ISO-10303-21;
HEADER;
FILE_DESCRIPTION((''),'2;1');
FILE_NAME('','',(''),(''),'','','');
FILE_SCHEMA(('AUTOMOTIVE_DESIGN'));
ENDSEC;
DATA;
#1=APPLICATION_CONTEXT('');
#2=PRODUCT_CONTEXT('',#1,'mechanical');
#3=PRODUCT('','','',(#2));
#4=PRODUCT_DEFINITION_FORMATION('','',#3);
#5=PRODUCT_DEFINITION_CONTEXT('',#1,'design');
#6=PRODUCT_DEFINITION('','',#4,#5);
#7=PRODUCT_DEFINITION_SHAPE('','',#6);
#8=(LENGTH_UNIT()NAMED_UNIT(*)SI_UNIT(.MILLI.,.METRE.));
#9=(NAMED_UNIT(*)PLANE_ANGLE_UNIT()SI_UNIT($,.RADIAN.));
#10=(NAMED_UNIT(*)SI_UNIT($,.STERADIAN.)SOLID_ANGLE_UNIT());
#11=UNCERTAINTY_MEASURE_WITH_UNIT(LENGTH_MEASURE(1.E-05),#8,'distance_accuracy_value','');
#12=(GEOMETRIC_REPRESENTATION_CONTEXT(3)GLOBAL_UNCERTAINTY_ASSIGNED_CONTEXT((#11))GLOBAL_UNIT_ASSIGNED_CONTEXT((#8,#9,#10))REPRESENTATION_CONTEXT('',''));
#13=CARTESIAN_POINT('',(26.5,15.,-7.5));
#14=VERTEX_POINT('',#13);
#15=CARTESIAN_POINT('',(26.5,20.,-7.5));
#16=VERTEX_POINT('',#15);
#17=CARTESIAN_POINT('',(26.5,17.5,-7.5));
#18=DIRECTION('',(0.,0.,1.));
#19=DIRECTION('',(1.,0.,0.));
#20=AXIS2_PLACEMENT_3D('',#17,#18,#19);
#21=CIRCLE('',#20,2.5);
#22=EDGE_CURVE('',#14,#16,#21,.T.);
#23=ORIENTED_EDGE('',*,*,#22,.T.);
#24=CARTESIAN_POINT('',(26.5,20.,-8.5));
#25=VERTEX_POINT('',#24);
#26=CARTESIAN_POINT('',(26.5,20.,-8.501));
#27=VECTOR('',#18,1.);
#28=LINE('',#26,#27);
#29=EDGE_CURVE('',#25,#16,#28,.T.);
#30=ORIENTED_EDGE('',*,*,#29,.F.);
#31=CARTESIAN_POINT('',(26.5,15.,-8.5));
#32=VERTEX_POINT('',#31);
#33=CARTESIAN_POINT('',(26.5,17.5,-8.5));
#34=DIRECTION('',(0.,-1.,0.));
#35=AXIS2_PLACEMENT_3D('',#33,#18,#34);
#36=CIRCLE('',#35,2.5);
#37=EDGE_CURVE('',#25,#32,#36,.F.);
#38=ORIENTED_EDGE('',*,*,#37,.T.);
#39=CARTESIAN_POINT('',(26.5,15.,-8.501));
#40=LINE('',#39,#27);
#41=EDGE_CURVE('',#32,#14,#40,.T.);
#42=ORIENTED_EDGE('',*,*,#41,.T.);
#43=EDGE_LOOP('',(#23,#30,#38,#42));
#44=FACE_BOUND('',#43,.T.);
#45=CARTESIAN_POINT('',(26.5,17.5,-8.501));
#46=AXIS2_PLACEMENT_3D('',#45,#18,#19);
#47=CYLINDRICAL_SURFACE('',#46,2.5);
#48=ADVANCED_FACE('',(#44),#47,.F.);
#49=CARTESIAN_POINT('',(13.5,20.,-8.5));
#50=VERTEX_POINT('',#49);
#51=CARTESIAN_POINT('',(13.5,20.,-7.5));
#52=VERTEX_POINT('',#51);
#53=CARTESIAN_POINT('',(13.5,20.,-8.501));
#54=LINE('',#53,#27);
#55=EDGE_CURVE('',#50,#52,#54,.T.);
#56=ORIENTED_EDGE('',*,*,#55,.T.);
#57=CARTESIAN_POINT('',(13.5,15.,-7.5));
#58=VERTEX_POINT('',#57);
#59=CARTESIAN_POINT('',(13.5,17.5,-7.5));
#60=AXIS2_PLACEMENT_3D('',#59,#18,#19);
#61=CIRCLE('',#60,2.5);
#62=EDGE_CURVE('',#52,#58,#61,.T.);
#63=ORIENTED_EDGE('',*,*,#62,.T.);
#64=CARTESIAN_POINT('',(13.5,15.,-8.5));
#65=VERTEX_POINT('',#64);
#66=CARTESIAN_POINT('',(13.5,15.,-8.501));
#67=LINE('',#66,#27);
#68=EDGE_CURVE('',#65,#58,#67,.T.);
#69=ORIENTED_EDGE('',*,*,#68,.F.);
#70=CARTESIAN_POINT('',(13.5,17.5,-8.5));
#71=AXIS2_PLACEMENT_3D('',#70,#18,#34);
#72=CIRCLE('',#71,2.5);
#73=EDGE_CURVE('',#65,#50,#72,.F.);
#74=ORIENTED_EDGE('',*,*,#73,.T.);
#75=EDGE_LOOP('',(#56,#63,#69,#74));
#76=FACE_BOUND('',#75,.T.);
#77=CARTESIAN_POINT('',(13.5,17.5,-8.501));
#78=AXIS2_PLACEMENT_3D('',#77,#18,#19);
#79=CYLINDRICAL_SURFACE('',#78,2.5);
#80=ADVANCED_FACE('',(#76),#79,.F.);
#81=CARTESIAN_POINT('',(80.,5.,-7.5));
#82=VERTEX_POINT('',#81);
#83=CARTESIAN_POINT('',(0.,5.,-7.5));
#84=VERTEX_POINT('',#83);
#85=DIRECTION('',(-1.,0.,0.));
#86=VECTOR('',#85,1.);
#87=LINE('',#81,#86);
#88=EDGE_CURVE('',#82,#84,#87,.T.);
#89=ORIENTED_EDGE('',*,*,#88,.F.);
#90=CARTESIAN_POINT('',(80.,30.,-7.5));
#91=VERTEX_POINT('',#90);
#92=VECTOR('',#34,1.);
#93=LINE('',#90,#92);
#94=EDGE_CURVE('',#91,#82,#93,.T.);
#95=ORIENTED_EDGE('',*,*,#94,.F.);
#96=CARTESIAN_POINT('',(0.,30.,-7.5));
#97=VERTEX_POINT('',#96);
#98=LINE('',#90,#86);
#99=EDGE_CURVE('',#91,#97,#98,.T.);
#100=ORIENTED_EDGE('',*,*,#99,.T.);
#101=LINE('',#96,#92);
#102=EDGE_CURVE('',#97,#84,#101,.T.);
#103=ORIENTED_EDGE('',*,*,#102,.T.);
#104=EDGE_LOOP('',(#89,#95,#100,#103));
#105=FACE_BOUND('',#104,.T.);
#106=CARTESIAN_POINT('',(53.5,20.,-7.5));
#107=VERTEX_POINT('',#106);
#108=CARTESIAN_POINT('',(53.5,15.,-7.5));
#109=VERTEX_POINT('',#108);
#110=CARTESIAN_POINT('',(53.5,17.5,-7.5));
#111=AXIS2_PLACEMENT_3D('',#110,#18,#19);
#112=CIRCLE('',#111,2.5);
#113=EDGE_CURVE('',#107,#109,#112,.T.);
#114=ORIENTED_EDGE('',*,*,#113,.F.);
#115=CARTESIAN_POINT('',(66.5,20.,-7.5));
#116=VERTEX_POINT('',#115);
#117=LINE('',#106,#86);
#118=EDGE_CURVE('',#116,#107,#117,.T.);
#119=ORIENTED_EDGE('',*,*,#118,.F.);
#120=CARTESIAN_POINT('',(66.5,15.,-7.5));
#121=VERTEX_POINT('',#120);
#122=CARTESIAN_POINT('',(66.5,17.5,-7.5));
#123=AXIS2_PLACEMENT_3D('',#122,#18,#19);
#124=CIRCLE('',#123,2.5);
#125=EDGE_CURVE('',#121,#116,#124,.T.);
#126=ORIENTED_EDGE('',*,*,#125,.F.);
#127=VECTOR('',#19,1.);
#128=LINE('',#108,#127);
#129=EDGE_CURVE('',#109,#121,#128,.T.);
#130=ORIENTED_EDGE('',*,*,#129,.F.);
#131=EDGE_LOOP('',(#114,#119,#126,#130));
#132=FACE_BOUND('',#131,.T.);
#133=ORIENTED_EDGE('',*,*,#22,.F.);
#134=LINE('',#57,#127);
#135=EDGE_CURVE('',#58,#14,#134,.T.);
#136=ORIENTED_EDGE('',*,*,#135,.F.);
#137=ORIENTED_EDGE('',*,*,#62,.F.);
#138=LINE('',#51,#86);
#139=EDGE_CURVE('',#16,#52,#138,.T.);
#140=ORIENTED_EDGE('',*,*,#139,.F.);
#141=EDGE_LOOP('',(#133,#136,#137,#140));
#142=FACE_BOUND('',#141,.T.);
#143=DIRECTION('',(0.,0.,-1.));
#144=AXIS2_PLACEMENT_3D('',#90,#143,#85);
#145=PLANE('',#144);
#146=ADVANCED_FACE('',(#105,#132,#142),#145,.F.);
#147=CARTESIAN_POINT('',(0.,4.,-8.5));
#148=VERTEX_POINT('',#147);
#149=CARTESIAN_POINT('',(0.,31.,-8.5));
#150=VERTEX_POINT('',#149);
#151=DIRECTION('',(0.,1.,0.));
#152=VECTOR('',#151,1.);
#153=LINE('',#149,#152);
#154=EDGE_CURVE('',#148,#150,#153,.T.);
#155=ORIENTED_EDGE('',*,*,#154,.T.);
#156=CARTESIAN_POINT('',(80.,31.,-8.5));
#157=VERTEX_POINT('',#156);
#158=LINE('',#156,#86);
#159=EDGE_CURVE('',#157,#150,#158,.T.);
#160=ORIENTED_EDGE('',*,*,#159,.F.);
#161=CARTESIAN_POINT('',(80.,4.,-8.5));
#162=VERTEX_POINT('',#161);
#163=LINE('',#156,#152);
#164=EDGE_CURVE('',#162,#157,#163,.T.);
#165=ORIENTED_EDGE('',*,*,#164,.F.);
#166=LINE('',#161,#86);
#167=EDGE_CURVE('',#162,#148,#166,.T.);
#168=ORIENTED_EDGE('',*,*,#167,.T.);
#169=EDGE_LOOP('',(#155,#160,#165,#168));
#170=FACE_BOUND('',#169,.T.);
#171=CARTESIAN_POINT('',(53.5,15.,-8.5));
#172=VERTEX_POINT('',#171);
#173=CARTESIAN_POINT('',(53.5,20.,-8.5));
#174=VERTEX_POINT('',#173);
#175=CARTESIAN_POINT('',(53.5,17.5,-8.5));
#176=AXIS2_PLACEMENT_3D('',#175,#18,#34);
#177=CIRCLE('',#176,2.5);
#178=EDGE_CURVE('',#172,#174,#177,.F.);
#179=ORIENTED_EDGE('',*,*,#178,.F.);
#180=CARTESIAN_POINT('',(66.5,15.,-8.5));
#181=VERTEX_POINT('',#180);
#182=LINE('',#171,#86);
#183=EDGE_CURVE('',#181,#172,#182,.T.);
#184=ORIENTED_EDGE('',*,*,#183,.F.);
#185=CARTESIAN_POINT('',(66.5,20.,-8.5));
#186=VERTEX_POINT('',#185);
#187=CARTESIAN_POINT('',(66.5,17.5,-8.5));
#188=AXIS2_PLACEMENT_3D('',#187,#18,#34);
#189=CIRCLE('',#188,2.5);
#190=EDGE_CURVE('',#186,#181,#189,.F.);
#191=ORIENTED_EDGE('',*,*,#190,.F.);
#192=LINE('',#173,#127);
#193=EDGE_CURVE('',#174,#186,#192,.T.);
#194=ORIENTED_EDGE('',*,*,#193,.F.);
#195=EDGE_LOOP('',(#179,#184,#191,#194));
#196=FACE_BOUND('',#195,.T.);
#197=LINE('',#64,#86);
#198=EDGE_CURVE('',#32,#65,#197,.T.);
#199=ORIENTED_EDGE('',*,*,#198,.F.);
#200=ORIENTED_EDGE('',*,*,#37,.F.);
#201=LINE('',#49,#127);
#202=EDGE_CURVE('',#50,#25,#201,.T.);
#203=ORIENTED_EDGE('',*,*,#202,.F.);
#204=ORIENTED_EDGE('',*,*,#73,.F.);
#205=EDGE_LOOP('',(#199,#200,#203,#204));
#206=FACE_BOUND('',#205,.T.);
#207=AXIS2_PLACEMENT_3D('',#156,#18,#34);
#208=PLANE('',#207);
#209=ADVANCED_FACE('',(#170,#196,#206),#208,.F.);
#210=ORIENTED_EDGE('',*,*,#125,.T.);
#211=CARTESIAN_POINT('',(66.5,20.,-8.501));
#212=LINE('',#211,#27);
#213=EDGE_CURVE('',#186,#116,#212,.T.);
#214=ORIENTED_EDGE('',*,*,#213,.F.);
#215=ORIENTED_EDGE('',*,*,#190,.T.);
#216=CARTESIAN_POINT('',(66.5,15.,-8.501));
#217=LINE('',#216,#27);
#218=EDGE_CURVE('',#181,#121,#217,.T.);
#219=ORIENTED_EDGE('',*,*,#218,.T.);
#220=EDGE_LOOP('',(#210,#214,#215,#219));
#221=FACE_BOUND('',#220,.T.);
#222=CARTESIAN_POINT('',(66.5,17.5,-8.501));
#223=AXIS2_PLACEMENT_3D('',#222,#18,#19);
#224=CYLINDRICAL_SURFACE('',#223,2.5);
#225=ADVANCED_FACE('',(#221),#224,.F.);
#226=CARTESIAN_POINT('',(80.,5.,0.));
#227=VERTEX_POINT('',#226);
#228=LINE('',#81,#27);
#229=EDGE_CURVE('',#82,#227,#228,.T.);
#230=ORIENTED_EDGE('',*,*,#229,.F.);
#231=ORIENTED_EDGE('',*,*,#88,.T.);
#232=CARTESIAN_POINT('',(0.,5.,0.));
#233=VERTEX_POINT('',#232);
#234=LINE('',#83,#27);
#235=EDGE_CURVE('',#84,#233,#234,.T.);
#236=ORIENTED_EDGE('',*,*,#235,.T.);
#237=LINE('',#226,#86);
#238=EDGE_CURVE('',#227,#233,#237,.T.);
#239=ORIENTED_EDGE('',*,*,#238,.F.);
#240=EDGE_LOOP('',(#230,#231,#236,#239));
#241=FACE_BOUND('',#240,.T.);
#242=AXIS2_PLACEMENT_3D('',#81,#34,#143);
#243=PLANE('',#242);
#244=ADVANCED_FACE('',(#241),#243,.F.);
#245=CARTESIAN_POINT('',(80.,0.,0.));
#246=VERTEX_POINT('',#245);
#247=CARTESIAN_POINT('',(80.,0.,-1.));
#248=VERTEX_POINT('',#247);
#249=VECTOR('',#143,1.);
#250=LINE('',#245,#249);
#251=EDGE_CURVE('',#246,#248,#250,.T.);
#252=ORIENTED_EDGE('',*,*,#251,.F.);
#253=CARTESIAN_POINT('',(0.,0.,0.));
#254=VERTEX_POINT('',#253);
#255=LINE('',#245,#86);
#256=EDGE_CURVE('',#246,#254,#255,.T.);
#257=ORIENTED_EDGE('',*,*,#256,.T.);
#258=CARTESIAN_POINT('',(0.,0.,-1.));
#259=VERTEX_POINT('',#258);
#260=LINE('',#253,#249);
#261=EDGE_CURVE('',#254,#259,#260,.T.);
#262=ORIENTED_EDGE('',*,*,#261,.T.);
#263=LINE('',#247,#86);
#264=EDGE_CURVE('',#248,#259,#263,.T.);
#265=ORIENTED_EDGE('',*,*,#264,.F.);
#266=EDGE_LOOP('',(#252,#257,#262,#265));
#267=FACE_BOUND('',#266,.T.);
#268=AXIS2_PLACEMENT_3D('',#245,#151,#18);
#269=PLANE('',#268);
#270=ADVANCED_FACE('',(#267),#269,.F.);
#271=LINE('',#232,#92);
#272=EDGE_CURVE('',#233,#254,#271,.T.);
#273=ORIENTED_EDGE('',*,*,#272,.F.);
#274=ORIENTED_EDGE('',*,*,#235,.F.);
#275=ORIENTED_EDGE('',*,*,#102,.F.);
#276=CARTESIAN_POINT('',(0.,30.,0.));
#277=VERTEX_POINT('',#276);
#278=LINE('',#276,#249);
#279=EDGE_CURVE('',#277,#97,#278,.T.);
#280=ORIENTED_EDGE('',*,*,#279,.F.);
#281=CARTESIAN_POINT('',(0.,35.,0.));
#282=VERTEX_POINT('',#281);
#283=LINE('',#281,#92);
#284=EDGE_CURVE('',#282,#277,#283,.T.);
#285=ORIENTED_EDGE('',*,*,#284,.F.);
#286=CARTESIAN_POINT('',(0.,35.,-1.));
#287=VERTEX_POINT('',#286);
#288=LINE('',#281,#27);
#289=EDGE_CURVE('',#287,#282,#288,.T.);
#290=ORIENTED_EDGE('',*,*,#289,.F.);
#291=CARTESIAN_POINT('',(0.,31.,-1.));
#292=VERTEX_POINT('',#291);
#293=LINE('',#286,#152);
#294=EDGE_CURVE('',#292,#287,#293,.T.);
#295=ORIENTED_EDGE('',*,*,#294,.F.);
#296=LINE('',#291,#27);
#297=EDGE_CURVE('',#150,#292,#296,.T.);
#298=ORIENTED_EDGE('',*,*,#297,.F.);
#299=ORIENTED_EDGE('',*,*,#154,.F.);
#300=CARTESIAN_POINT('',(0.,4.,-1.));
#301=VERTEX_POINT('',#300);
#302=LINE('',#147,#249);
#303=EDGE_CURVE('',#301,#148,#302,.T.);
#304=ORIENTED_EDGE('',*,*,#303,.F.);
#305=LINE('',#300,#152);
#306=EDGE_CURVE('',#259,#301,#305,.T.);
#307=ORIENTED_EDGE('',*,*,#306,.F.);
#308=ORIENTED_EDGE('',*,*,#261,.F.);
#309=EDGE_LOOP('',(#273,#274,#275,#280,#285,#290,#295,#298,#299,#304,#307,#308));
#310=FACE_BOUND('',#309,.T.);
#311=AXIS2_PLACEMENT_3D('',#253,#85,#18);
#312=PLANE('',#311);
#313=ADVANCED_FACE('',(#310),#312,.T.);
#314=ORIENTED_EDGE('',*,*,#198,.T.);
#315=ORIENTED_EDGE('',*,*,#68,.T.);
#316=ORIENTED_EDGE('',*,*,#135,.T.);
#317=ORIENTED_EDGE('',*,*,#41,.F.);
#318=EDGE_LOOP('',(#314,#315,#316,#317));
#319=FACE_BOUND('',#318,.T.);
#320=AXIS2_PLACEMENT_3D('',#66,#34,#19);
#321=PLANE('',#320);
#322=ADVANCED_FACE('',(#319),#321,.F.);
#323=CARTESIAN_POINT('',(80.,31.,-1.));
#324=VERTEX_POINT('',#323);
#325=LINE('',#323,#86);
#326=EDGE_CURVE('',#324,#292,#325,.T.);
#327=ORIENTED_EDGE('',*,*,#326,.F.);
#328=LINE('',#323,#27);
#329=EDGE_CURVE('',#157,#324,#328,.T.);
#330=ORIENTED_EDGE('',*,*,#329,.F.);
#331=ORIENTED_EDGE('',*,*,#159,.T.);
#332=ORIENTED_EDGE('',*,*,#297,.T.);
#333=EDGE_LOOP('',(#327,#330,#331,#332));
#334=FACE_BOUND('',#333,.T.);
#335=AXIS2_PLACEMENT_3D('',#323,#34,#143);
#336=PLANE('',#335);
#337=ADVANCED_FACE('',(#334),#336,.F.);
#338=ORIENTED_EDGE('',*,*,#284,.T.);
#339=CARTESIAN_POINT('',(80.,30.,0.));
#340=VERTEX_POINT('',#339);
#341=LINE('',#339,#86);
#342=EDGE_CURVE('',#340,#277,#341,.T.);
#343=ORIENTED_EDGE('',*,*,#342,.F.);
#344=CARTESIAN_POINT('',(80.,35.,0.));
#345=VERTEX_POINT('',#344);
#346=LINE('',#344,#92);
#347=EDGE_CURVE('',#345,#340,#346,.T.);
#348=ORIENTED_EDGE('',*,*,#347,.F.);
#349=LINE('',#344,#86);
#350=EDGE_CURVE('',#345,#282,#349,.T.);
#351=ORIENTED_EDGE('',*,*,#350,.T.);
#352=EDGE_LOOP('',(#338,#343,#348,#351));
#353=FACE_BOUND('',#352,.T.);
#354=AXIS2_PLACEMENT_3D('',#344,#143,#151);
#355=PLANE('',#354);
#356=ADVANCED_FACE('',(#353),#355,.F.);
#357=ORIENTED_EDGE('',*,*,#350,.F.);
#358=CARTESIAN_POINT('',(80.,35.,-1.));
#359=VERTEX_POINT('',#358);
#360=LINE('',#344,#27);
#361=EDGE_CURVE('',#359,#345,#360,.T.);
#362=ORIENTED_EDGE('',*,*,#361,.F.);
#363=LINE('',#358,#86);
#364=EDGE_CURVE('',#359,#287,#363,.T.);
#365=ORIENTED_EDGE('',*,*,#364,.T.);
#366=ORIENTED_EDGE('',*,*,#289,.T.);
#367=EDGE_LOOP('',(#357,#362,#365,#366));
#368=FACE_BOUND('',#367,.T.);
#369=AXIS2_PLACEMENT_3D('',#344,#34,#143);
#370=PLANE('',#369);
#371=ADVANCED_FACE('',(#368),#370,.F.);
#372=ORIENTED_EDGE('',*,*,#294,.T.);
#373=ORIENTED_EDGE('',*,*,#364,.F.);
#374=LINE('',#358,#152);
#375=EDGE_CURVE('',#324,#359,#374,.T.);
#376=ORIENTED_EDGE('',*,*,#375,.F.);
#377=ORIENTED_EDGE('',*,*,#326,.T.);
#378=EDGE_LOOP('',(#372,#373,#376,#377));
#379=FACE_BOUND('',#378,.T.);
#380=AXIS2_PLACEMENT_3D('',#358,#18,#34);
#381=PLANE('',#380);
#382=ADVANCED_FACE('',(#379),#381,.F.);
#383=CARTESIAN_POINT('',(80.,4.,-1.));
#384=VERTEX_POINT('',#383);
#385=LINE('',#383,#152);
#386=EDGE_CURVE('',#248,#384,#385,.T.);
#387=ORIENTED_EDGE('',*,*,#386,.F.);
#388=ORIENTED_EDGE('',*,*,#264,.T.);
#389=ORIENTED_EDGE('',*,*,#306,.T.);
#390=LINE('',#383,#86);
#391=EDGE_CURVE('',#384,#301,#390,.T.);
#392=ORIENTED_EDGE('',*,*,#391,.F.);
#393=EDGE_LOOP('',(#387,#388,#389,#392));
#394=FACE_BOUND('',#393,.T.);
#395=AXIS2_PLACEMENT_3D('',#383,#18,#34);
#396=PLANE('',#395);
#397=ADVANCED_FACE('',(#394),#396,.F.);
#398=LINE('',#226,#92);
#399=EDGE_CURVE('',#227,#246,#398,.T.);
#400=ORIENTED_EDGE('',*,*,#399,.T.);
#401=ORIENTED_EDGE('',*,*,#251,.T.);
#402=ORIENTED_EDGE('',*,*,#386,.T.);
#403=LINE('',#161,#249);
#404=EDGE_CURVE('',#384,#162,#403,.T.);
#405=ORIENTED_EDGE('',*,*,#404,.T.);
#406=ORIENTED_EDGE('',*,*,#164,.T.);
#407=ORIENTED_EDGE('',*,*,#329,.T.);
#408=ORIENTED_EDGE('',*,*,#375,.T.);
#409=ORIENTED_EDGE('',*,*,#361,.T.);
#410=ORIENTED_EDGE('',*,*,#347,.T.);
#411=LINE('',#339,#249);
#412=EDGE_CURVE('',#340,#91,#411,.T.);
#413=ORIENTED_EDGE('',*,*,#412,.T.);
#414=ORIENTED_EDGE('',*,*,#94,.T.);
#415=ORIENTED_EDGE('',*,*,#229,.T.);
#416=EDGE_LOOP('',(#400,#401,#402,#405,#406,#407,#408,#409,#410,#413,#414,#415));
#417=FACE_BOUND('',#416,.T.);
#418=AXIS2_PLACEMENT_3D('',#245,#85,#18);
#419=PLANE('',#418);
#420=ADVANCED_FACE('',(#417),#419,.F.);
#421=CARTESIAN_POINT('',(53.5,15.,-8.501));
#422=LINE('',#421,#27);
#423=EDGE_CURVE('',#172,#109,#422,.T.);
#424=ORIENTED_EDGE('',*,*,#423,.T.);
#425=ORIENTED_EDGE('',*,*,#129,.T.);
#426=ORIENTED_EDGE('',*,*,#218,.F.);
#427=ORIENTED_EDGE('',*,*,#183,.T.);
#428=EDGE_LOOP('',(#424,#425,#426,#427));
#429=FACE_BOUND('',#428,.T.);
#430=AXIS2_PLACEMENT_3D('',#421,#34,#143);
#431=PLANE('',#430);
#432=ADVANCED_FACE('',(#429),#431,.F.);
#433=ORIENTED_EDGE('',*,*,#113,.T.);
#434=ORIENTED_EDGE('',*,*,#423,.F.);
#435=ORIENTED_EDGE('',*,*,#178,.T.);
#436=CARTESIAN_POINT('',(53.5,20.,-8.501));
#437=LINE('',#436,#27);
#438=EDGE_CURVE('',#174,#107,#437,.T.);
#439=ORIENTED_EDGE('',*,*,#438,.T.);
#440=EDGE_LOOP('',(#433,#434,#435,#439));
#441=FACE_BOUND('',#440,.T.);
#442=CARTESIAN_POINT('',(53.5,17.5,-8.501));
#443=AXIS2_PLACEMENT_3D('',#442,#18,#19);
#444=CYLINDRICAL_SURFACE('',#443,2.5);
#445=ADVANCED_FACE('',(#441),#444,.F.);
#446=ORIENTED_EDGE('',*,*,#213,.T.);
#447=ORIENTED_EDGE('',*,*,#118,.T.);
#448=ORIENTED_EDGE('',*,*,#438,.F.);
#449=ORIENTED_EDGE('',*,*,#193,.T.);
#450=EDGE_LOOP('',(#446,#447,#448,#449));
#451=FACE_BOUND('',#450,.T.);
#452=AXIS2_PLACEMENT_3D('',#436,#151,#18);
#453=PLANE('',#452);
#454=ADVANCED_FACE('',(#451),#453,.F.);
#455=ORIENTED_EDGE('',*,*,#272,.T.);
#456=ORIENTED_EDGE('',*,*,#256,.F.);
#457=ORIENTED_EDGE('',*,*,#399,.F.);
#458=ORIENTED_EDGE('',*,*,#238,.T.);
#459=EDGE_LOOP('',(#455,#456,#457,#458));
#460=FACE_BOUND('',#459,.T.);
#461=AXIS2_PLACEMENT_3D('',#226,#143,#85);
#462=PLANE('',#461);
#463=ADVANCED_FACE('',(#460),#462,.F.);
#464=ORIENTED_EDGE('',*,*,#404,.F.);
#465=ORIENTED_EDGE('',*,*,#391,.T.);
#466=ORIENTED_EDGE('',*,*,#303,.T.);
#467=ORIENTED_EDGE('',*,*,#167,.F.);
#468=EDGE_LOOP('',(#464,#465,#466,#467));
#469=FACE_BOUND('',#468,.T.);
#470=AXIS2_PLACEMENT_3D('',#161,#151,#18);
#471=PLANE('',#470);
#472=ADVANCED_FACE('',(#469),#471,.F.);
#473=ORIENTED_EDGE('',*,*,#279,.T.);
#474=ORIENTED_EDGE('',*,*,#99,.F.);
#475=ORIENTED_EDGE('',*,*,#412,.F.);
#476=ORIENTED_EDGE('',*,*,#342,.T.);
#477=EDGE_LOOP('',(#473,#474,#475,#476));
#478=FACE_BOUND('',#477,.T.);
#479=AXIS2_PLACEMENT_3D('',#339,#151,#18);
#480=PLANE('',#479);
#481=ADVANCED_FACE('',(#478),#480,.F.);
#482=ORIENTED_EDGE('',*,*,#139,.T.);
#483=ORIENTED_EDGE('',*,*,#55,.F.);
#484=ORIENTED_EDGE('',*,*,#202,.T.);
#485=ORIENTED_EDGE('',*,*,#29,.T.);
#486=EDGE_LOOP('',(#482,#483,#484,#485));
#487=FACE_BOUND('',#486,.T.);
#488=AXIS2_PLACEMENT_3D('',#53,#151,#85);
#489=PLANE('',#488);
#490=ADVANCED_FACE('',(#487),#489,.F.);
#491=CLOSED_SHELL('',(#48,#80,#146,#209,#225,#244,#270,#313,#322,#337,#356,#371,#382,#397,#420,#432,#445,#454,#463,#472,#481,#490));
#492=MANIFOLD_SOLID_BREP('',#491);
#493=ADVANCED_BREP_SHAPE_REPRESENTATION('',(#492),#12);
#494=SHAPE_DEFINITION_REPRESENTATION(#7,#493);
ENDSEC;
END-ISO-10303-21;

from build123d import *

# Parameters (mm, degrees)
ESTRUSIONE_ESTRUSIONE1_DEPTH = 80
TAGLIO_ESTRUSIONE1_REACH     = 89.643


with BuildPart() as part:
    # Schizzo1 → Estrusione-Estrusione1 (new body)
    with BuildSketch(Plane(origin=(0, 0, 0), x_dir=(0, 0, -1), z_dir=(1, 0, 0))):
        Polygon((0, 35), (0, 30), (7.5, 30), (7.5, 5), (0, 5), (0, 0), (1, 0), (1, 4), (8.5, 4), (8.5, 31), (1, 31), (1, 35), align=None)
    extrude(amount=ESTRUSIONE_ESTRUSIONE1_DEPTH)

    # Schizzo2 → Taglio-Estrusione1 (cut, up to next)
    with BuildSketch(Plane.XY.offset(-7.5), mode=Mode.PRIVATE) as taglio_estrusione1_sk1:
        with BuildLine():
            Line((13.5, 20), (26.5, 20))
            ThreePointArc((26.5, 20), (29, 17.5), (26.5, 15))
            Line((26.5, 15), (13.5, 15))
            ThreePointArc((13.5, 15), (11, 17.5), (13.5, 20))
        make_face()
    taglio_estrusione1_tool1 = extrude(taglio_estrusione1_sk1.sketch, amount=-TAGLIO_ESTRUSIONE1_REACH, mode=Mode.PRIVATE) & part.part
    # Schizzo2 → Taglio-Estrusione1 (cut, up to next)
    with BuildSketch(Plane.XY.offset(-7.5), mode=Mode.PRIVATE) as taglio_estrusione1_sk2:
        with BuildLine():
            Line((53.5, 20), (66.5, 20))
            ThreePointArc((66.5, 20), (69, 17.5), (66.5, 15))
            Line((66.5, 15), (53.5, 15))
            ThreePointArc((53.5, 15), (51, 17.5), (53.5, 20))
        make_face()
    taglio_estrusione1_tool2 = extrude(taglio_estrusione1_sk2.sketch, amount=-TAGLIO_ESTRUSIONE1_REACH, mode=Mode.PRIVATE) & part.part
    add(taglio_estrusione1_tool1.solids().sort_by_distance((20, 17.5, -7.5))[0], mode=Mode.SUBTRACT)
    add(taglio_estrusione1_tool2.solids().sort_by_distance((60, 17.5, -7.5))[0], mode=Mode.SUBTRACT)


solid = part.part
